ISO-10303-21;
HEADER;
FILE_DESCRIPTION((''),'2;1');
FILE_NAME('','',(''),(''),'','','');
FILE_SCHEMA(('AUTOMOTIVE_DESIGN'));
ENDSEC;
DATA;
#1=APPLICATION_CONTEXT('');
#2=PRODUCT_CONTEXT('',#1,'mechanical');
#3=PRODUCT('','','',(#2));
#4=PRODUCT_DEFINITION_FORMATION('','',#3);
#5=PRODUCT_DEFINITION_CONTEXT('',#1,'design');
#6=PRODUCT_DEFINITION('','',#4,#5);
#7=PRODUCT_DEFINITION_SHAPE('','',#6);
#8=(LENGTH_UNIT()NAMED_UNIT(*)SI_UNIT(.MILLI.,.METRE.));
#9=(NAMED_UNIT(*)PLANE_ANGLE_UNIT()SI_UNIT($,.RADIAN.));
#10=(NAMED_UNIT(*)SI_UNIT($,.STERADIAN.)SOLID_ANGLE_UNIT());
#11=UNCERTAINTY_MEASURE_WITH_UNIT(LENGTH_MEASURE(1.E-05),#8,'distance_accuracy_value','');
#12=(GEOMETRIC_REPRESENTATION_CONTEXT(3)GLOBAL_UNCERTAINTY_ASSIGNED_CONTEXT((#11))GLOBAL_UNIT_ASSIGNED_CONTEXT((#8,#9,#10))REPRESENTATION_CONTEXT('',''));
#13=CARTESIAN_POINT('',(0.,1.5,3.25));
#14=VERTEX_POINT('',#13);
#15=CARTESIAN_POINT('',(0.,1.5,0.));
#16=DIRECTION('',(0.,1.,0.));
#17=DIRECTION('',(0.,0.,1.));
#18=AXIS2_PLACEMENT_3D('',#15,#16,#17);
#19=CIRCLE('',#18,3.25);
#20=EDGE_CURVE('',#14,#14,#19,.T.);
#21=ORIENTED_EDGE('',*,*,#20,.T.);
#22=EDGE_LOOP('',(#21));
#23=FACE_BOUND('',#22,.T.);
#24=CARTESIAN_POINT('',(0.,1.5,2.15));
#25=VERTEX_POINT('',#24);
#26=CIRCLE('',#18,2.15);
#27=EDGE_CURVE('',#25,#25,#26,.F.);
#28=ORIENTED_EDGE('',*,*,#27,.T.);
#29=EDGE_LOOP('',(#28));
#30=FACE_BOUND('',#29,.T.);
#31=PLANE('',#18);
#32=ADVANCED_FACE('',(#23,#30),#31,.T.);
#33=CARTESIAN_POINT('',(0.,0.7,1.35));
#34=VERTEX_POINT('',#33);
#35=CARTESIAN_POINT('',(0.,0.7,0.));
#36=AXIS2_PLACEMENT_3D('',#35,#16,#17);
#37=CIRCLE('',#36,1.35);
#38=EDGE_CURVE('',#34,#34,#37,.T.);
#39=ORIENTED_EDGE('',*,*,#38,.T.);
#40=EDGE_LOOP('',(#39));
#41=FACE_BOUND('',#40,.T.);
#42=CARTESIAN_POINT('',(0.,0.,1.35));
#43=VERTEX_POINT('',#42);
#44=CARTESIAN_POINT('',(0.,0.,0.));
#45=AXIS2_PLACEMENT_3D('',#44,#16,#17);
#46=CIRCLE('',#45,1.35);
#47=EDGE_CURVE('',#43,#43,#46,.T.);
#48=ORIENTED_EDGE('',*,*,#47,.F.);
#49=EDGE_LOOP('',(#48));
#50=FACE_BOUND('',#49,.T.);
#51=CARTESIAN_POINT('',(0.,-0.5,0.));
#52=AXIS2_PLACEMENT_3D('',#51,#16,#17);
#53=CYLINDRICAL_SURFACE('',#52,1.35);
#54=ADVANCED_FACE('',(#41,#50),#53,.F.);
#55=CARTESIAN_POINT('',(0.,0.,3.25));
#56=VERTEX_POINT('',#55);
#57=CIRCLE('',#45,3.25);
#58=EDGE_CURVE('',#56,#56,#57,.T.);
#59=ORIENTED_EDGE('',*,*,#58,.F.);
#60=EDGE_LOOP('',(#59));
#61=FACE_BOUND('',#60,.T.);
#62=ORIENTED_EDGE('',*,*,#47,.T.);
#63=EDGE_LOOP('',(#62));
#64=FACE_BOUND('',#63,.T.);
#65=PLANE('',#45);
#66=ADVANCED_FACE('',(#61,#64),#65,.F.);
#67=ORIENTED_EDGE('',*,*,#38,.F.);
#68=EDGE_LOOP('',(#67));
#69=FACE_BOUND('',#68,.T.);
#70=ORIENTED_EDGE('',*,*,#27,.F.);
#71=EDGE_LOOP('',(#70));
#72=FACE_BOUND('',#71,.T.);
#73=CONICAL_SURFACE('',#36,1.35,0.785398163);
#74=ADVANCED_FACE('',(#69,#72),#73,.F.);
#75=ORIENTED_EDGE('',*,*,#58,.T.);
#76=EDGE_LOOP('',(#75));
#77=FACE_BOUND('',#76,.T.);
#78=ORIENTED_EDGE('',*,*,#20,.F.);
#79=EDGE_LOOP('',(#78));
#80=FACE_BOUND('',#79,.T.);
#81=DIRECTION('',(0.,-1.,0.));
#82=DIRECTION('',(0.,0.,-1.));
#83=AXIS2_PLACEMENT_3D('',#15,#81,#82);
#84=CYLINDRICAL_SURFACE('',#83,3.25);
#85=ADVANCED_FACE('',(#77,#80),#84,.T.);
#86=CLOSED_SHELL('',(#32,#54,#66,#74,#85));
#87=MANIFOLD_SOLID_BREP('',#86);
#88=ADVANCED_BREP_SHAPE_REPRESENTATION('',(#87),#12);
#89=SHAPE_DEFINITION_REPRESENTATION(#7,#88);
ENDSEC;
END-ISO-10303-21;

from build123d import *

# Parameters (mm, degrees)
SKETCH_1_R          = 3.25
EXTRUDE_1_DEPTH     = 1.5
SKETCH_2_R          = 1.35
CUT_EXTRUDE_1_DEPTH = 2
CHAMFER_1_SIZE      = 0.8


with BuildPart() as part:
    # 스케치1 → 보스-돌출1 (new body)
    with BuildSketch(Plane(origin=(0, 0, 0), x_dir=(1, 0, 0), z_dir=(0, 1, 0))):
        with Locations(Location((0, 0, 0), (0, 0, 270))):
            Circle(SKETCH_1_R)
    extrude(amount=EXTRUDE_1_DEPTH)

    # 스케치2 → 컷-돌출1 (cut)
    with BuildSketch(Plane(origin=(0, 1.5, 0), x_dir=(1, 0, 0), z_dir=(0, 1, 0))):
        with Locations(Location((0, 0, 0), (0, 0, 270))):
            Circle(SKETCH_2_R)
    extrude(amount=-CUT_EXTRUDE_1_DEPTH, mode=Mode.SUBTRACT)

    # 모따기1
    chamfer_1_edges = [part.edges().sort_by_distance(p)[0] for p in [
        (0, 1.5, -1.35),
    ]]
    chamfer(chamfer_1_edges, length=CHAMFER_1_SIZE)


solid = part.part
